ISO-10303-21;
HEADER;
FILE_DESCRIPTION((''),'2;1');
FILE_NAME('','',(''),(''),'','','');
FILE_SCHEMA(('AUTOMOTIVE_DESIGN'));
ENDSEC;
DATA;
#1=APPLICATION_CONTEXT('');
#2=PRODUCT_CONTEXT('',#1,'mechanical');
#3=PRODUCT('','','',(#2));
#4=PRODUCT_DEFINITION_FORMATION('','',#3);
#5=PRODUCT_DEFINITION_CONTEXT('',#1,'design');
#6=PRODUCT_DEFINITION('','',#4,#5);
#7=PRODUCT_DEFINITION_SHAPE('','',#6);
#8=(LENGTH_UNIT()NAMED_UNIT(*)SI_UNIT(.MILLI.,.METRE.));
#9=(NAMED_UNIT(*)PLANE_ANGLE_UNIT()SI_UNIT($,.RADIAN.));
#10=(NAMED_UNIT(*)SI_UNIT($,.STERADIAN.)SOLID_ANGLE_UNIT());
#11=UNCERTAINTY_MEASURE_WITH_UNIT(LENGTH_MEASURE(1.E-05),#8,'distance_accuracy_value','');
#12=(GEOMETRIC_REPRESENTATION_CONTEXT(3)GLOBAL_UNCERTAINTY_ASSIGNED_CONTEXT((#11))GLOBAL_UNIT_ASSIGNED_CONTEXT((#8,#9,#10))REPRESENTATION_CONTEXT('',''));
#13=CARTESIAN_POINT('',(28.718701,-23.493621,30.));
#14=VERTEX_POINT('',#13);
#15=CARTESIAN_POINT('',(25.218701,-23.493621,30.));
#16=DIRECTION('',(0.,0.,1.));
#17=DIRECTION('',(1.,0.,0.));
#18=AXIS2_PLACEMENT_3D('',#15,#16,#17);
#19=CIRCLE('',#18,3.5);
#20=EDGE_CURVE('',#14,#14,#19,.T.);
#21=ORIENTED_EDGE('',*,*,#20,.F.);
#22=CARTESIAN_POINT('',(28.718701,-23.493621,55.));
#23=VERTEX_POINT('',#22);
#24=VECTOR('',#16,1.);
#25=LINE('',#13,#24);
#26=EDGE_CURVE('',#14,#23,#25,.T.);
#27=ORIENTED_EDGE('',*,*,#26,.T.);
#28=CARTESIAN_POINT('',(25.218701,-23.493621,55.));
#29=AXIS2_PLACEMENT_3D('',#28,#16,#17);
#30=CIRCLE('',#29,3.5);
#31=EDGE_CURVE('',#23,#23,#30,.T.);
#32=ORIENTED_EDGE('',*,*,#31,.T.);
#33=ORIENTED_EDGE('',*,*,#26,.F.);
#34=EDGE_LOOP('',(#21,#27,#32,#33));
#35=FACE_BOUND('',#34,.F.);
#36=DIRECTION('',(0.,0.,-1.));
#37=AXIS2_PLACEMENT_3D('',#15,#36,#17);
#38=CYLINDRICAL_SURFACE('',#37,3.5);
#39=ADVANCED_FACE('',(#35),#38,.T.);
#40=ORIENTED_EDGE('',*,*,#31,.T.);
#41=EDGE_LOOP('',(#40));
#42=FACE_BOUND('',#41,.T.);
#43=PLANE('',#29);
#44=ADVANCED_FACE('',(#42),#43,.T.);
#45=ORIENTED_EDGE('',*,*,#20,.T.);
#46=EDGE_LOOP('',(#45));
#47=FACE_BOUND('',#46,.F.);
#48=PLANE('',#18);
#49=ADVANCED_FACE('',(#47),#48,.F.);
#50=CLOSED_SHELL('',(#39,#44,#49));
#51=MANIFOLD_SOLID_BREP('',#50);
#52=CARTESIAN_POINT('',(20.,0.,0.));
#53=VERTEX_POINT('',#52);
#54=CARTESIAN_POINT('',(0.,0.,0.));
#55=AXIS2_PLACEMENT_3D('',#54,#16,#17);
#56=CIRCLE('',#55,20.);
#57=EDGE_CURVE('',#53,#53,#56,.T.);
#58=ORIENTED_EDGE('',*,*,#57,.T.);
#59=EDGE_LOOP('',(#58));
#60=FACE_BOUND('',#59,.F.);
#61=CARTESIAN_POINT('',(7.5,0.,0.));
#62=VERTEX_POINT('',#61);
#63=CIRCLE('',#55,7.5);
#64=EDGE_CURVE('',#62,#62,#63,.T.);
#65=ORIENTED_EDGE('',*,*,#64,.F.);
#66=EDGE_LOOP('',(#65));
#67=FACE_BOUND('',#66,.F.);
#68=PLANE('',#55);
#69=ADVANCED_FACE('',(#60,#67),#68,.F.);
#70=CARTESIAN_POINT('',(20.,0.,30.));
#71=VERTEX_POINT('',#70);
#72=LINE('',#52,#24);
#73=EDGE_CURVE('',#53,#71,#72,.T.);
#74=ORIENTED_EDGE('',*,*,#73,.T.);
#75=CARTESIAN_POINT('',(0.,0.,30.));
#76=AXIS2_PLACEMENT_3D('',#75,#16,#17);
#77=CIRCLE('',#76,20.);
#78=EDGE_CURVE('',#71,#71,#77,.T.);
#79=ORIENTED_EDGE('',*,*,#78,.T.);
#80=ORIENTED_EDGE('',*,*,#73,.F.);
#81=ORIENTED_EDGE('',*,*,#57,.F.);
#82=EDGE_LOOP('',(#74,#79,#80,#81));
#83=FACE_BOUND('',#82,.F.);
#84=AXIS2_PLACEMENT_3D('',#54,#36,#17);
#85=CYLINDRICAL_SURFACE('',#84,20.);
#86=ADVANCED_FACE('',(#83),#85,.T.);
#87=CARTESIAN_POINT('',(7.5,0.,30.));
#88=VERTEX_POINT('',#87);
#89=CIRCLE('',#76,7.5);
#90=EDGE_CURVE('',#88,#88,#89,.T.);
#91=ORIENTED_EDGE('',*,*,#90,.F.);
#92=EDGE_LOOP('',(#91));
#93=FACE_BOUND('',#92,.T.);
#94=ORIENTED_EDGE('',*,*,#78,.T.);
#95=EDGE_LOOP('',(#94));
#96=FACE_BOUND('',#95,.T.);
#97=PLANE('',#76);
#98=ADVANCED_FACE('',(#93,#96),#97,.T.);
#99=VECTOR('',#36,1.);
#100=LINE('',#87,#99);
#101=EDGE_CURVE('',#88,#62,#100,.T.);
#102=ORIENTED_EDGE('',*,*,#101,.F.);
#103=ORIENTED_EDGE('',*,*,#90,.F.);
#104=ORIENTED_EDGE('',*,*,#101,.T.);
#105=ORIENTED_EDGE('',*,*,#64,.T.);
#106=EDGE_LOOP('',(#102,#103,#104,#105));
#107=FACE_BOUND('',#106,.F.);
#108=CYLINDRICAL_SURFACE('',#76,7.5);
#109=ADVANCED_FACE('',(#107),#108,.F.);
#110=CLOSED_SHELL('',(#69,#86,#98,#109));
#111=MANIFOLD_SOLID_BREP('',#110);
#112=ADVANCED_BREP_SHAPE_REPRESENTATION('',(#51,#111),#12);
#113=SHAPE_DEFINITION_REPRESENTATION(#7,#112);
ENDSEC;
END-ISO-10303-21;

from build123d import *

# Parameters (mm, degrees)
F0_R     = 20
F1_DEPTH = 30
F2_R     = 3.5
F3_DEPTH = 25
F4_R     = 7.5
F5_DEPTH = 30.001


with BuildPart() as f1:
    # F0 (on Top) → F1 (new body)
    with BuildSketch(Plane.XY):
        Circle(F0_R)
    extrude(amount=F1_DEPTH)

    # F4 (on face) → F5 (cut, through all)
    with BuildSketch(Plane.XY.offset(30)):
        Circle(F4_R)
    extrude(amount=-F5_DEPTH, mode=Mode.SUBTRACT)


with BuildPart() as f3:
    # F2 (on face) → F3 (new body)
    with BuildSketch(Plane.XY.offset(30)):
        with Locations((25.218701, -23.493621)):
            Circle(F2_R)
    extrude(amount=F3_DEPTH)


solid = Compound([f1.part, f3.part])
